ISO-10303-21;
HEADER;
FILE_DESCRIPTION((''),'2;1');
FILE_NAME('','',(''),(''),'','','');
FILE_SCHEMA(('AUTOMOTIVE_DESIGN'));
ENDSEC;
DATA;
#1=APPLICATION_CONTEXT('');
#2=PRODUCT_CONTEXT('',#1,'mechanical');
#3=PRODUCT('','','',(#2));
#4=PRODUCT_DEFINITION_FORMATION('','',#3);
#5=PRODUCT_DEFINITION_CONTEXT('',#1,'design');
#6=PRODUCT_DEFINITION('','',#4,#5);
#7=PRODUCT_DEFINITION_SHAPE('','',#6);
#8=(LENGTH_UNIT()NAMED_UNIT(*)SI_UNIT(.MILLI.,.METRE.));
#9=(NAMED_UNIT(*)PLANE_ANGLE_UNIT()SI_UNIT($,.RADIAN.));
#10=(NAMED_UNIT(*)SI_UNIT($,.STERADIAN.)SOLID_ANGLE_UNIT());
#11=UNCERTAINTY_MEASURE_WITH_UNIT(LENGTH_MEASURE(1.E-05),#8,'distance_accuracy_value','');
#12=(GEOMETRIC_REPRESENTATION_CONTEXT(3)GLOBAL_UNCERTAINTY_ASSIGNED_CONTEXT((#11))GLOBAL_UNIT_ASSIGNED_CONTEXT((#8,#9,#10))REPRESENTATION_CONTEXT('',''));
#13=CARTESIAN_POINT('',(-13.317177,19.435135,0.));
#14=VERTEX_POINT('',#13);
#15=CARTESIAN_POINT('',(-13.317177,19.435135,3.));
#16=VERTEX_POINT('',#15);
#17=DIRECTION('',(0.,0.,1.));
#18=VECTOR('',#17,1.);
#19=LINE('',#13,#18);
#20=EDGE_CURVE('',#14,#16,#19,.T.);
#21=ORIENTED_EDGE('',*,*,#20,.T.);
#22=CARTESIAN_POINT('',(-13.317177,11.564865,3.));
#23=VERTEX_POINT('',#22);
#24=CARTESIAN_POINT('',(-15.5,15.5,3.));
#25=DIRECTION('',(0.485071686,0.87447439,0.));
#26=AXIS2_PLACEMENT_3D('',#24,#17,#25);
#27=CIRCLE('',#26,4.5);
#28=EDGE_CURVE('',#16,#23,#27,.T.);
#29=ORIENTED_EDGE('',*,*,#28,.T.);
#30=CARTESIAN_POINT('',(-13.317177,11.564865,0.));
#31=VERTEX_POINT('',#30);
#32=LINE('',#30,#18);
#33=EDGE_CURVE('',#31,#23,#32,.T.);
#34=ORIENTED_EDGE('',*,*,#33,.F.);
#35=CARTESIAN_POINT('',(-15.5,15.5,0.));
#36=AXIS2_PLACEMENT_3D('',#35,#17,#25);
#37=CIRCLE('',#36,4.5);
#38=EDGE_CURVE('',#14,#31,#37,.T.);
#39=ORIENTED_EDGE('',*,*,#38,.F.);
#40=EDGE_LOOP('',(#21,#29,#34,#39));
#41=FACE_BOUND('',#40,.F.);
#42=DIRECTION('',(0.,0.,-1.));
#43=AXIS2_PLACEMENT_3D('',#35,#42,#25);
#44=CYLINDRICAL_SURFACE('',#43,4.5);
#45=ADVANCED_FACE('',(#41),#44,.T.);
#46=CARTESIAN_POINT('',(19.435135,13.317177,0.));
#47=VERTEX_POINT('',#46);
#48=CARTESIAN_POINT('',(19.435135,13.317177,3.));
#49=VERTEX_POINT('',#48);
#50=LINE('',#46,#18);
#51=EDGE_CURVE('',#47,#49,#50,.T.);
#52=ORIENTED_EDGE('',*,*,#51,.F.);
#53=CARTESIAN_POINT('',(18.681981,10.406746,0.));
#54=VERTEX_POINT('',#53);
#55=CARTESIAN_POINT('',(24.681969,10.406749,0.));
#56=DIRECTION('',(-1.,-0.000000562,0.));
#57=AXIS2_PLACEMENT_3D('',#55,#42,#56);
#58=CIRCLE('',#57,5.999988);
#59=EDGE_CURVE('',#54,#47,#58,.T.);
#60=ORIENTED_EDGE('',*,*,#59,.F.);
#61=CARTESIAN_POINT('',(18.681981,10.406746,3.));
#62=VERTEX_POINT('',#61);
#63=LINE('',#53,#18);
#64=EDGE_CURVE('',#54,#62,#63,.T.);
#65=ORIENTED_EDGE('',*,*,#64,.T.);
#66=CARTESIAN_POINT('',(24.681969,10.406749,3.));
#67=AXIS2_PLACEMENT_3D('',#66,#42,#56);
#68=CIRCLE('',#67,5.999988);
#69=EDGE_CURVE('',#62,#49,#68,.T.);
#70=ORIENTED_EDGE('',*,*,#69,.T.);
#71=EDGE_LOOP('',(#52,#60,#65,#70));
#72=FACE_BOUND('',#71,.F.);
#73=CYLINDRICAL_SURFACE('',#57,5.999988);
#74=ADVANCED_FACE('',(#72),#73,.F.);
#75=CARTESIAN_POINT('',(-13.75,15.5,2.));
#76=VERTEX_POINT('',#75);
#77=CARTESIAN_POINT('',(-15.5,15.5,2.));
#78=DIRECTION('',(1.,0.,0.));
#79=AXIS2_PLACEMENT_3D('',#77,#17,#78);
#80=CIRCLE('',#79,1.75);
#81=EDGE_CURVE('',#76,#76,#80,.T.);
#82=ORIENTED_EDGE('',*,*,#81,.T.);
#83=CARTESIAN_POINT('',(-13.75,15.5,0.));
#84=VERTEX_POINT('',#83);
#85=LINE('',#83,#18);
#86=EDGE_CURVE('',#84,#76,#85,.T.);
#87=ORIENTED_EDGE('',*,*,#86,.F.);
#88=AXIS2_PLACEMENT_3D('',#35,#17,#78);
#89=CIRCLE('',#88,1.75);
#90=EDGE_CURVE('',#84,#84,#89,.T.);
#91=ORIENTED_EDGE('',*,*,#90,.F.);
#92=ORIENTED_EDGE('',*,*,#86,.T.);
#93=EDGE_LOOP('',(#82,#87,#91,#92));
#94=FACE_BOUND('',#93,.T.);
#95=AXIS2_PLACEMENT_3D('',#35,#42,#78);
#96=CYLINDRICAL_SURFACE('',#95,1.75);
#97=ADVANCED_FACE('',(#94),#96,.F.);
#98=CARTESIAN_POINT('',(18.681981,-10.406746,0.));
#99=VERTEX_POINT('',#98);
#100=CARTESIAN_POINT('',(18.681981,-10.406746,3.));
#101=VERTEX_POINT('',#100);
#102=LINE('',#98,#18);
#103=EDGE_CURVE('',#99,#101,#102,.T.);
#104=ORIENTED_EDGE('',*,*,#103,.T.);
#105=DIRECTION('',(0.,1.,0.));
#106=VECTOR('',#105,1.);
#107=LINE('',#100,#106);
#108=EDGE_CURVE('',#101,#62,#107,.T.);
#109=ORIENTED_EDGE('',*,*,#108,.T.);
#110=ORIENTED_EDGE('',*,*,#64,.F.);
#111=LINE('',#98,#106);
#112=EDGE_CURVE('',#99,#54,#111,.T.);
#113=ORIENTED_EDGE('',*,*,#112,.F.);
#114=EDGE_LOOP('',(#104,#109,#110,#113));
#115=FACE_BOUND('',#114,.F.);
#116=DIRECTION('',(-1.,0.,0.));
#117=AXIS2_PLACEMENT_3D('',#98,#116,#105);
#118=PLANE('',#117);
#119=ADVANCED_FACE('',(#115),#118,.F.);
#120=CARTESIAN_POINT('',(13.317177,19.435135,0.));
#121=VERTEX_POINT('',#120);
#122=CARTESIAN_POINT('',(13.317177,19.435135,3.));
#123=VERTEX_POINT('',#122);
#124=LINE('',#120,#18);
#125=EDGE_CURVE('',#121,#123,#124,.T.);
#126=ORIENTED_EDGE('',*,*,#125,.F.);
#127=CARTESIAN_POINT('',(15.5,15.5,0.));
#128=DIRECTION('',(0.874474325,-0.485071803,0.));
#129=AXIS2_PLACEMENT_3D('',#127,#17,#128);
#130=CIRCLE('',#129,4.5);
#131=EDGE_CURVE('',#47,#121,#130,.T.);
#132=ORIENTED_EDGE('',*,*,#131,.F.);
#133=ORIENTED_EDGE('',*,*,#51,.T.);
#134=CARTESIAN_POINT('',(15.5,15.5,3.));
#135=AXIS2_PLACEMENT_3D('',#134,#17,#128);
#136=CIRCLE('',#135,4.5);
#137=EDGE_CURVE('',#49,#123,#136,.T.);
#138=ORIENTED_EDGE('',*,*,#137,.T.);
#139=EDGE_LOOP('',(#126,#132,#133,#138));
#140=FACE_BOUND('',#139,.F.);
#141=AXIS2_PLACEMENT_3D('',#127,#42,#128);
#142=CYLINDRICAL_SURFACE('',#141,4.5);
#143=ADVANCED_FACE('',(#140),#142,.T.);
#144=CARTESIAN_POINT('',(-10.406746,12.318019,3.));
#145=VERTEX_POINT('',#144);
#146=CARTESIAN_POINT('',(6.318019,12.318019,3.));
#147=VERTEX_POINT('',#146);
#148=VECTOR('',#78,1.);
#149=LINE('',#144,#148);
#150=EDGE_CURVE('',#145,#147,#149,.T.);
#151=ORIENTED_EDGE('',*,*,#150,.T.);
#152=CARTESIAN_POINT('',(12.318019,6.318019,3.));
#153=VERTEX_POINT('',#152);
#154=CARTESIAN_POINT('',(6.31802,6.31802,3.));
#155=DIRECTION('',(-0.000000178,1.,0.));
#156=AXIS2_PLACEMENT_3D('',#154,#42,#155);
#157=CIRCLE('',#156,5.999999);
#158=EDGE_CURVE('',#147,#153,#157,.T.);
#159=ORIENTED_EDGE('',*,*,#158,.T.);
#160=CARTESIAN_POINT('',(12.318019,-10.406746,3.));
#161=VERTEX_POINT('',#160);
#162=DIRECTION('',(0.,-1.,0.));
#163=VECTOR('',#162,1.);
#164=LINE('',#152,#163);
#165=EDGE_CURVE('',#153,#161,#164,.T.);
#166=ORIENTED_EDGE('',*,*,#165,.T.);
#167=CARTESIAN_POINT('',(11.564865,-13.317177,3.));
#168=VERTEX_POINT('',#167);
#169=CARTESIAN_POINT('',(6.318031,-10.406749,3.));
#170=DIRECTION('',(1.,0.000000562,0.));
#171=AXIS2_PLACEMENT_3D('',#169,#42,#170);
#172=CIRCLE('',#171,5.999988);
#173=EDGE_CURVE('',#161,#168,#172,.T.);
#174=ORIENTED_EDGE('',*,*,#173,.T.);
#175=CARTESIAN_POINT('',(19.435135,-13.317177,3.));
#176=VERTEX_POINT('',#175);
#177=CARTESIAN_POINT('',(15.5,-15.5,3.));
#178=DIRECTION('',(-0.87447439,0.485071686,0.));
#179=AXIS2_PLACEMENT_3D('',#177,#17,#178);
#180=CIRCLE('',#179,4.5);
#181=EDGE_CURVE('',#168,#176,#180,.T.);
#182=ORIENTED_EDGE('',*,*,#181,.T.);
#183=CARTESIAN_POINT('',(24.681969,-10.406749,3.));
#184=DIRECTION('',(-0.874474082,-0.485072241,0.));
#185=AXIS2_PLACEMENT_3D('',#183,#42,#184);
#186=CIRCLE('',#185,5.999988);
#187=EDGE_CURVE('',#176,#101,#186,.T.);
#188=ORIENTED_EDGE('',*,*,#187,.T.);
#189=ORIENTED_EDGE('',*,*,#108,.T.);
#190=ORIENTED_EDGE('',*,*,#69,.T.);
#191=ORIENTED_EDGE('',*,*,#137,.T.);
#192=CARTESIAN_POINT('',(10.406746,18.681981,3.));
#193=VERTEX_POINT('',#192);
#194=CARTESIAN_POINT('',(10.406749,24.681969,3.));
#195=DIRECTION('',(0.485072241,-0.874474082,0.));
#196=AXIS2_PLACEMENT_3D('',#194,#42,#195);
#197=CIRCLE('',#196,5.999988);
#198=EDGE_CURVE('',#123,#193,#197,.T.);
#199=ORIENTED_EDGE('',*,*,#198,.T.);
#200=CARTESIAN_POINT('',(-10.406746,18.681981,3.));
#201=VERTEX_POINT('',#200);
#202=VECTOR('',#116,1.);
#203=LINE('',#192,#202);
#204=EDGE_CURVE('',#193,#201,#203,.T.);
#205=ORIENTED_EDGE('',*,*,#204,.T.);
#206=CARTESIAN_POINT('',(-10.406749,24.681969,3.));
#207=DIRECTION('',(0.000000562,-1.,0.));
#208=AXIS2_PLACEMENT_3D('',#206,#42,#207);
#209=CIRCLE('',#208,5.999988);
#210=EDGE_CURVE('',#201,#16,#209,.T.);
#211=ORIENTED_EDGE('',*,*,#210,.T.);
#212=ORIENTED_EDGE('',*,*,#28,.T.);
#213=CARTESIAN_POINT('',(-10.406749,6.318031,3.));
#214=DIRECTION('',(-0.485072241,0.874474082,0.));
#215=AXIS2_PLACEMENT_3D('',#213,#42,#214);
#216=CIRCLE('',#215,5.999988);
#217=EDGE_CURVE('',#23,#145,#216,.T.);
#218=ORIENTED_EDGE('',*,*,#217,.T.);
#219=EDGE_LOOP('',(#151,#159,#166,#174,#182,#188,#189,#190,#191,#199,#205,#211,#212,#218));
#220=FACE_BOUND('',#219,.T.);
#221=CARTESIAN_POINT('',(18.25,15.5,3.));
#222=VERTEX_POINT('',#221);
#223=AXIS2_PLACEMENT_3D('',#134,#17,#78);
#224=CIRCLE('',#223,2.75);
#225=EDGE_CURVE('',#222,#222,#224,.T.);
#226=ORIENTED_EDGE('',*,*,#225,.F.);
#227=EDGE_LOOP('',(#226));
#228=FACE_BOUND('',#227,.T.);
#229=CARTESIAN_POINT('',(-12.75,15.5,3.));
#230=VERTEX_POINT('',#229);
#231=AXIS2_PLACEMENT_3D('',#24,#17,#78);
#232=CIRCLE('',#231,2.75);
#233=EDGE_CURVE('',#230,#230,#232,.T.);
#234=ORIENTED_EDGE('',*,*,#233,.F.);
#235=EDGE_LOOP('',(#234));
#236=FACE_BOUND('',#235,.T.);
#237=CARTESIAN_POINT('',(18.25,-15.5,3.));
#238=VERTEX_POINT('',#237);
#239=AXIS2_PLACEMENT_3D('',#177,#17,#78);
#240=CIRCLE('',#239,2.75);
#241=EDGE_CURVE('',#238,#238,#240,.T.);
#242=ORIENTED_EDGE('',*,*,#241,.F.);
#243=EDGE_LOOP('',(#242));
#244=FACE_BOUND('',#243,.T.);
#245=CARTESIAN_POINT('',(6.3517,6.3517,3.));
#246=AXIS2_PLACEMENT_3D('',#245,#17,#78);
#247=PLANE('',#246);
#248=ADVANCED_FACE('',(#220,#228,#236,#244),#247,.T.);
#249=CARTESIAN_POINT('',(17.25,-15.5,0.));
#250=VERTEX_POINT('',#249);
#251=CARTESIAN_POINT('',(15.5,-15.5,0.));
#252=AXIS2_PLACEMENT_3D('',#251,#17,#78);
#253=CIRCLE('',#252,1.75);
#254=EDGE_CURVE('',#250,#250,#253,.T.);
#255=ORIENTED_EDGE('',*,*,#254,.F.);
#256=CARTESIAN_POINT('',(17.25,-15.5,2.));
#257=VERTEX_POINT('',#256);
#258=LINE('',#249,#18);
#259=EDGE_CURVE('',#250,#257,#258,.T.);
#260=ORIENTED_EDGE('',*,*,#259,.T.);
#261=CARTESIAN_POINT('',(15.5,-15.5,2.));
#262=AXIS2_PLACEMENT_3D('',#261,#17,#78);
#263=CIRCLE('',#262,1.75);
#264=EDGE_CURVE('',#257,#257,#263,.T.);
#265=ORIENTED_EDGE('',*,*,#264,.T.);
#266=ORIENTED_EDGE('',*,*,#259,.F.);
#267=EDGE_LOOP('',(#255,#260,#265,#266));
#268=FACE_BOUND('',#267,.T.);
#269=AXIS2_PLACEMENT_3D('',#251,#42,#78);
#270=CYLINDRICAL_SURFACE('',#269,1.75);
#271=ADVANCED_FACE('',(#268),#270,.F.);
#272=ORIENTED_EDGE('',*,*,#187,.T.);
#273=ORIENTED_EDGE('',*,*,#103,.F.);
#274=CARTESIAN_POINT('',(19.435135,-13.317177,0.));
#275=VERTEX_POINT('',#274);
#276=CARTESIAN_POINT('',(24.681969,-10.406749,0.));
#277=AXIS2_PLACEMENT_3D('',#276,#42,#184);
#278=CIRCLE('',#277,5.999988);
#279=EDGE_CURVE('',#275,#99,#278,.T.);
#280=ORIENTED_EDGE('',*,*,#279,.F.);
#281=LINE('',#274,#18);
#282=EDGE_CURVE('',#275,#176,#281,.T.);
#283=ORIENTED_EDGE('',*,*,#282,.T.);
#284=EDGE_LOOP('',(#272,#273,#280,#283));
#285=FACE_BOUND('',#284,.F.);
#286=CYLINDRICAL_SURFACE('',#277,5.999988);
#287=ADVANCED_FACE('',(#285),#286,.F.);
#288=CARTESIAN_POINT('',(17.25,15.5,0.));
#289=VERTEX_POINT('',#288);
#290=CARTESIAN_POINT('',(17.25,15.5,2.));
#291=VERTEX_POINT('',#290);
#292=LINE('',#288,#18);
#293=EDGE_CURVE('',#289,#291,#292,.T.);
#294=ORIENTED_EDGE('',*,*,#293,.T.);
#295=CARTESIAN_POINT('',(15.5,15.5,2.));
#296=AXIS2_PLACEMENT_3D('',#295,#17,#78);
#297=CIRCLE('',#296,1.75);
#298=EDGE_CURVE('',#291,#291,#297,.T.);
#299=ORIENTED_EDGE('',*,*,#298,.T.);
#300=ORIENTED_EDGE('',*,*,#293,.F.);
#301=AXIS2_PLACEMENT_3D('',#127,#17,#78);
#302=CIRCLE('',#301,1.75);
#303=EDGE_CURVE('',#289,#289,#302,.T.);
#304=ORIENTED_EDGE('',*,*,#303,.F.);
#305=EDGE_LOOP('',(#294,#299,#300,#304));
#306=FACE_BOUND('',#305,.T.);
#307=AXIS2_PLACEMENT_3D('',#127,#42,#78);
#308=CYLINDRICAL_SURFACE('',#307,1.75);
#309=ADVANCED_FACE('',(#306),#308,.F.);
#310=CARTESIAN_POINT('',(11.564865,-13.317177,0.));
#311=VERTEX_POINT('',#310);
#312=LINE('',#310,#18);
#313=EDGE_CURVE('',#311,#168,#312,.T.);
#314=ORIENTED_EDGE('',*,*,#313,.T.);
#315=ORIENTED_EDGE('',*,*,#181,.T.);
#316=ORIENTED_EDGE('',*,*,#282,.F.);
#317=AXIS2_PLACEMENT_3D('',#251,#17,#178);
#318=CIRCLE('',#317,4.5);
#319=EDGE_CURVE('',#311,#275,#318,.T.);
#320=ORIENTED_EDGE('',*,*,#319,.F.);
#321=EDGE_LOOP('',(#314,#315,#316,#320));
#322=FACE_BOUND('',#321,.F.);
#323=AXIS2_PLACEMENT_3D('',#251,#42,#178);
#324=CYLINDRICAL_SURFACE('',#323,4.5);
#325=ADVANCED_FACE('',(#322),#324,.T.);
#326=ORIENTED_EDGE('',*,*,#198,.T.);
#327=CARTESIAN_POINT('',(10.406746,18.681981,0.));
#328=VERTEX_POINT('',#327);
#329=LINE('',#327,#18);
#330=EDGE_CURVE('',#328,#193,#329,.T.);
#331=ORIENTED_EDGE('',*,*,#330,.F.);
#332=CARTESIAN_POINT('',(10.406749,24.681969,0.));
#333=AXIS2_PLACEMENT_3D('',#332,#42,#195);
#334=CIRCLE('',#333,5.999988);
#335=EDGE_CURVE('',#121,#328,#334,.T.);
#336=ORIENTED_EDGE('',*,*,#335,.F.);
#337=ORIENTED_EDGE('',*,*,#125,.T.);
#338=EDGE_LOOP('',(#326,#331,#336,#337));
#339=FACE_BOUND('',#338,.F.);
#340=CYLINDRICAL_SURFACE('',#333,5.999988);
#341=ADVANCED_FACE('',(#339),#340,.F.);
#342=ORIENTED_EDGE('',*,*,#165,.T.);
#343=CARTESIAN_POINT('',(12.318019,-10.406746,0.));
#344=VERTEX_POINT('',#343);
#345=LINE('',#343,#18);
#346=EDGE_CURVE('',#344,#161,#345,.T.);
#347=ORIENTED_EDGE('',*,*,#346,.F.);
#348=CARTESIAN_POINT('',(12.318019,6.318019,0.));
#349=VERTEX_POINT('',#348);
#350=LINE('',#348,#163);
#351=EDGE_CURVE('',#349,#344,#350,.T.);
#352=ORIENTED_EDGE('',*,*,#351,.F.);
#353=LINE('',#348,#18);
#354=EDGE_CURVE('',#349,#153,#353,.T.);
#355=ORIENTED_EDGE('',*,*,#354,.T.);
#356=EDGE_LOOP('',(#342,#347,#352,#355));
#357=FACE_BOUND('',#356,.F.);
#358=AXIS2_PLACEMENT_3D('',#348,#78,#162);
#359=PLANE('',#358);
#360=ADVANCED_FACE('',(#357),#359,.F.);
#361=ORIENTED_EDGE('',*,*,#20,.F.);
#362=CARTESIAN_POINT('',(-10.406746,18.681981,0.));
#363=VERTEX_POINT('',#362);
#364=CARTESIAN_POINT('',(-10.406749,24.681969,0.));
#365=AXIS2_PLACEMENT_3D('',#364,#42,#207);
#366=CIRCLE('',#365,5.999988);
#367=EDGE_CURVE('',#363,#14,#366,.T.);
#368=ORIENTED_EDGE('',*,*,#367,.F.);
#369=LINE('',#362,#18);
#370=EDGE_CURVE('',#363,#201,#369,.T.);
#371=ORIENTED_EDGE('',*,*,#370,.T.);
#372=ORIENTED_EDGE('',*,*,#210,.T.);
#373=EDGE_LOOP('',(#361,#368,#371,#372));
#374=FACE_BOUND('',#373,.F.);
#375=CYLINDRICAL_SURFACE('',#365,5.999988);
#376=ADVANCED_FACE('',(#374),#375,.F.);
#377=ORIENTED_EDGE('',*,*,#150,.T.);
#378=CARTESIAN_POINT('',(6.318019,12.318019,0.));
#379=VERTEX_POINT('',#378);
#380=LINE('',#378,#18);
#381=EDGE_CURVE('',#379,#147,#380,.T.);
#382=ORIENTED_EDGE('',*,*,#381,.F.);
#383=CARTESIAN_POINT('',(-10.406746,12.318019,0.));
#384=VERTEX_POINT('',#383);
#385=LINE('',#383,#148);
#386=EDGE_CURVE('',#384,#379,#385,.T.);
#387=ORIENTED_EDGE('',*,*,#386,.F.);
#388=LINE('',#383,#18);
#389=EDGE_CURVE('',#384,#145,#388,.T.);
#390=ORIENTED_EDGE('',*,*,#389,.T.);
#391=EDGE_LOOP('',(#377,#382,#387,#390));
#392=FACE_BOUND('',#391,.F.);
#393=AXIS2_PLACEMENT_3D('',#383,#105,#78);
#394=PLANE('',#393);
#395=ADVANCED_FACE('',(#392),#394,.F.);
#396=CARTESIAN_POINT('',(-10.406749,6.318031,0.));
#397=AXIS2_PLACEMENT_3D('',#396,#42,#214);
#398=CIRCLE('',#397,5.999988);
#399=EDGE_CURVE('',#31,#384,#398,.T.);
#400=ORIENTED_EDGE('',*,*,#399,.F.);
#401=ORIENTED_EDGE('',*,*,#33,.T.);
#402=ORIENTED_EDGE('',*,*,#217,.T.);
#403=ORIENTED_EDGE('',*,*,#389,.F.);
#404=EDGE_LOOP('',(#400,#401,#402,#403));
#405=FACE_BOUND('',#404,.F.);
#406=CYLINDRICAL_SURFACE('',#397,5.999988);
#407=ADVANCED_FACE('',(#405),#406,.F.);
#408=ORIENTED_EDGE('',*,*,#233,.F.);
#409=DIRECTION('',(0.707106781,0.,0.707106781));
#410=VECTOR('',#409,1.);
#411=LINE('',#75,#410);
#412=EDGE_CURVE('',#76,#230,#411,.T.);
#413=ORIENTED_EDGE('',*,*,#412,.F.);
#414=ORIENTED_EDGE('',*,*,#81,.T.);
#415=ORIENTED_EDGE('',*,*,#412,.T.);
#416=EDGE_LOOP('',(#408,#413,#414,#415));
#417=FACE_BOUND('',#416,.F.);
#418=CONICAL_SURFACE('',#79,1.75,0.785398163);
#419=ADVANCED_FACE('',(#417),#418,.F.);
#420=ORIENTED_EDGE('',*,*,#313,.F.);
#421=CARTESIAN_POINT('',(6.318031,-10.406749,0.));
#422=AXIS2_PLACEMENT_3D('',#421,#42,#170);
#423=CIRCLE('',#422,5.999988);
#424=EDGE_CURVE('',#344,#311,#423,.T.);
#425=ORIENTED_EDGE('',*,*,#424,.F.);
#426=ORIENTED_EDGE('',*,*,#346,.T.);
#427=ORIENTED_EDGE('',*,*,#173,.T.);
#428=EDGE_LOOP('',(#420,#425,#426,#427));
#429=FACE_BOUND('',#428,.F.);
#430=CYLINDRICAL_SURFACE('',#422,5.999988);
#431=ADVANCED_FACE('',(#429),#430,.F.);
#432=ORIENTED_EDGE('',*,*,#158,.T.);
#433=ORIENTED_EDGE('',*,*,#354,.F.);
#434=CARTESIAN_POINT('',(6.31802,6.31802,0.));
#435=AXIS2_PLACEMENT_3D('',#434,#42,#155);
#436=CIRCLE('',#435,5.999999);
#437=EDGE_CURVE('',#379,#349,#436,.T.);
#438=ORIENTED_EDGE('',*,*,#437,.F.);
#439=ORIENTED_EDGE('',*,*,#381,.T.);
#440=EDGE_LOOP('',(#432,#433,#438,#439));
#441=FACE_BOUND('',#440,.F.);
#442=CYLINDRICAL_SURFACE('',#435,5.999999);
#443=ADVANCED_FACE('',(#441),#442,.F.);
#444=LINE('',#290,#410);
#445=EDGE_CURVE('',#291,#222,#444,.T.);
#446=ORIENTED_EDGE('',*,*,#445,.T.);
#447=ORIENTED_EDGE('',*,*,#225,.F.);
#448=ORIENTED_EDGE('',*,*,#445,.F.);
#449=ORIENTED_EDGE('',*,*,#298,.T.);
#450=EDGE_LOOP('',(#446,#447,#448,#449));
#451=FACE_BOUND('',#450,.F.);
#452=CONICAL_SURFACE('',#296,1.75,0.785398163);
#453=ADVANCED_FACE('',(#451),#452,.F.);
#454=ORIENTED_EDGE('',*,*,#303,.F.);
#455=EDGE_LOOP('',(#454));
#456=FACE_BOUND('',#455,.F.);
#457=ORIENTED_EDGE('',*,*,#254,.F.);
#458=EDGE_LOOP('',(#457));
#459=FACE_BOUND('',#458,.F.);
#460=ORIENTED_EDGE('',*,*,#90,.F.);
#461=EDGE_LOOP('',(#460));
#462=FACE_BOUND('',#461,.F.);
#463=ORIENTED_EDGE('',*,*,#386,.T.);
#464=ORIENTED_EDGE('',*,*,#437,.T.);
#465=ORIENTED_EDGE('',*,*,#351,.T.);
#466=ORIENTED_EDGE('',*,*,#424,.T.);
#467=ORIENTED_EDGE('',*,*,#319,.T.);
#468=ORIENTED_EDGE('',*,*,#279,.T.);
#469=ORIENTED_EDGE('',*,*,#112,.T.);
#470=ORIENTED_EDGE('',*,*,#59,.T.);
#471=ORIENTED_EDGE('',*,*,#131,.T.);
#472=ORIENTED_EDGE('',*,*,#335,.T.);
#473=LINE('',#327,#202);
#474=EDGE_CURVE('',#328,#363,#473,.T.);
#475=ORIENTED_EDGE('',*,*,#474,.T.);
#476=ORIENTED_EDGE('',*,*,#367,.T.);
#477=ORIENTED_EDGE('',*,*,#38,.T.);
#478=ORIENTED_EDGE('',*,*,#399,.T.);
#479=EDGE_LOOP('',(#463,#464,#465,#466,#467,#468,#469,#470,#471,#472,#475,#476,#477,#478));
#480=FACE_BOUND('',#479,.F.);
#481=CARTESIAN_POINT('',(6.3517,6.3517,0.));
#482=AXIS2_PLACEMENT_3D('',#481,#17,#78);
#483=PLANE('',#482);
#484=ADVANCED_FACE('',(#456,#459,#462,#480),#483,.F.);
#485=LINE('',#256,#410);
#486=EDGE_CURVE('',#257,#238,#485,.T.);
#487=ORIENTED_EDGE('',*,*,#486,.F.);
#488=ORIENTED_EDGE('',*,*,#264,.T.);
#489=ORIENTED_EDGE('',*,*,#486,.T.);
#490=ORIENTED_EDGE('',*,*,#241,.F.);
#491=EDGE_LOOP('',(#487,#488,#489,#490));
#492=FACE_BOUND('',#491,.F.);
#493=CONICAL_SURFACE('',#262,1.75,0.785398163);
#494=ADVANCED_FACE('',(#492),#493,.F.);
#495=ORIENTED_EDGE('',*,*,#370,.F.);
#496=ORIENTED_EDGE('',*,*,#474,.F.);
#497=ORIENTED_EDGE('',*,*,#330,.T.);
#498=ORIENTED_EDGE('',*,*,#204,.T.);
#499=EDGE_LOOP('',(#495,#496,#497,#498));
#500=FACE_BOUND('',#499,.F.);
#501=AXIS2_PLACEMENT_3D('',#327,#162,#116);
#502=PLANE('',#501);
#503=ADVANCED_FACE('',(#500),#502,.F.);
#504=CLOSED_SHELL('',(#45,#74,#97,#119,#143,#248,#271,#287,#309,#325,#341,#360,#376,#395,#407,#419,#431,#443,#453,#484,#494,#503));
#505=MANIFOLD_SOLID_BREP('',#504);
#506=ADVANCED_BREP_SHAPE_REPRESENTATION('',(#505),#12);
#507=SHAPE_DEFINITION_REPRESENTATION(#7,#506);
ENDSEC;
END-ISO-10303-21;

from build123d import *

# Parameters (mm, degrees)
F0_R     = 1.75
F1_DEPTH = 3
F2_SIZE  = 1


with BuildPart() as f1:
    # F0 (on Top) → F1 (new body)
    with BuildSketch(Plane.XY):
        with BuildLine():
            Line((10.406746, 18.681981), (-10.406746, 18.681981))
            ThreePointArc((-10.406746, 18.681981), (-11.909897, 18.87332), (-13.317177, 19.435135))
            ThreePointArc((-13.317177, 19.435135), (-20, 15.5), (-13.317177, 11.564865))
            ThreePointArc((-13.317177, 11.564865), (-11.909897, 12.12668), (-10.406746, 12.318019))
            Line((-10.406746, 12.318019), (6.318019, 12.318019))
            ThreePointArc((6.318019, 12.318019), (10.56066, 10.56066), (12.318019, 6.318019))
            Line((12.318019, 6.318019), (12.318019, -10.406746))
            ThreePointArc((12.318019, -10.406746), (12.12668, -11.909897), (11.564865, -13.317177))
            ThreePointArc((11.564865, -13.317177), (15.5, -20), (19.435135, -13.317177))
            ThreePointArc((19.435135, -13.317177), (18.87332, -11.909897), (18.681981, -10.406746))
            Line((18.681981, -10.406746), (18.681981, 10.406746))
            ThreePointArc((18.681981, 10.406746), (18.87332, 11.909897), (19.435135, 13.317177))
            ThreePointArc((19.435135, 13.317177), (18.681981, 18.681981), (13.317177, 19.435135))
            ThreePointArc((13.317177, 19.435135), (11.909897, 18.87332), (10.406746, 18.681981))
        make_face()
        with Locations((15.5, -15.5)):
            Circle(F0_R, mode=Mode.SUBTRACT)
        with Locations((-15.5, 15.5)):
            Circle(F0_R, mode=Mode.SUBTRACT)
        with Locations((15.5, 15.5)):
            Circle(F0_R, mode=Mode.SUBTRACT)
    extrude(amount=F1_DEPTH)

    # F2
    f2_edges = [f1.edges().sort_by_distance(p)[0] for p in [
        (-17.25, 15.5, 3),
        (13.75, 15.5, 3),
        (13.75, -15.5, 3),
    ]]
    chamfer(f2_edges, length=F2_SIZE)


solid = f1.part
